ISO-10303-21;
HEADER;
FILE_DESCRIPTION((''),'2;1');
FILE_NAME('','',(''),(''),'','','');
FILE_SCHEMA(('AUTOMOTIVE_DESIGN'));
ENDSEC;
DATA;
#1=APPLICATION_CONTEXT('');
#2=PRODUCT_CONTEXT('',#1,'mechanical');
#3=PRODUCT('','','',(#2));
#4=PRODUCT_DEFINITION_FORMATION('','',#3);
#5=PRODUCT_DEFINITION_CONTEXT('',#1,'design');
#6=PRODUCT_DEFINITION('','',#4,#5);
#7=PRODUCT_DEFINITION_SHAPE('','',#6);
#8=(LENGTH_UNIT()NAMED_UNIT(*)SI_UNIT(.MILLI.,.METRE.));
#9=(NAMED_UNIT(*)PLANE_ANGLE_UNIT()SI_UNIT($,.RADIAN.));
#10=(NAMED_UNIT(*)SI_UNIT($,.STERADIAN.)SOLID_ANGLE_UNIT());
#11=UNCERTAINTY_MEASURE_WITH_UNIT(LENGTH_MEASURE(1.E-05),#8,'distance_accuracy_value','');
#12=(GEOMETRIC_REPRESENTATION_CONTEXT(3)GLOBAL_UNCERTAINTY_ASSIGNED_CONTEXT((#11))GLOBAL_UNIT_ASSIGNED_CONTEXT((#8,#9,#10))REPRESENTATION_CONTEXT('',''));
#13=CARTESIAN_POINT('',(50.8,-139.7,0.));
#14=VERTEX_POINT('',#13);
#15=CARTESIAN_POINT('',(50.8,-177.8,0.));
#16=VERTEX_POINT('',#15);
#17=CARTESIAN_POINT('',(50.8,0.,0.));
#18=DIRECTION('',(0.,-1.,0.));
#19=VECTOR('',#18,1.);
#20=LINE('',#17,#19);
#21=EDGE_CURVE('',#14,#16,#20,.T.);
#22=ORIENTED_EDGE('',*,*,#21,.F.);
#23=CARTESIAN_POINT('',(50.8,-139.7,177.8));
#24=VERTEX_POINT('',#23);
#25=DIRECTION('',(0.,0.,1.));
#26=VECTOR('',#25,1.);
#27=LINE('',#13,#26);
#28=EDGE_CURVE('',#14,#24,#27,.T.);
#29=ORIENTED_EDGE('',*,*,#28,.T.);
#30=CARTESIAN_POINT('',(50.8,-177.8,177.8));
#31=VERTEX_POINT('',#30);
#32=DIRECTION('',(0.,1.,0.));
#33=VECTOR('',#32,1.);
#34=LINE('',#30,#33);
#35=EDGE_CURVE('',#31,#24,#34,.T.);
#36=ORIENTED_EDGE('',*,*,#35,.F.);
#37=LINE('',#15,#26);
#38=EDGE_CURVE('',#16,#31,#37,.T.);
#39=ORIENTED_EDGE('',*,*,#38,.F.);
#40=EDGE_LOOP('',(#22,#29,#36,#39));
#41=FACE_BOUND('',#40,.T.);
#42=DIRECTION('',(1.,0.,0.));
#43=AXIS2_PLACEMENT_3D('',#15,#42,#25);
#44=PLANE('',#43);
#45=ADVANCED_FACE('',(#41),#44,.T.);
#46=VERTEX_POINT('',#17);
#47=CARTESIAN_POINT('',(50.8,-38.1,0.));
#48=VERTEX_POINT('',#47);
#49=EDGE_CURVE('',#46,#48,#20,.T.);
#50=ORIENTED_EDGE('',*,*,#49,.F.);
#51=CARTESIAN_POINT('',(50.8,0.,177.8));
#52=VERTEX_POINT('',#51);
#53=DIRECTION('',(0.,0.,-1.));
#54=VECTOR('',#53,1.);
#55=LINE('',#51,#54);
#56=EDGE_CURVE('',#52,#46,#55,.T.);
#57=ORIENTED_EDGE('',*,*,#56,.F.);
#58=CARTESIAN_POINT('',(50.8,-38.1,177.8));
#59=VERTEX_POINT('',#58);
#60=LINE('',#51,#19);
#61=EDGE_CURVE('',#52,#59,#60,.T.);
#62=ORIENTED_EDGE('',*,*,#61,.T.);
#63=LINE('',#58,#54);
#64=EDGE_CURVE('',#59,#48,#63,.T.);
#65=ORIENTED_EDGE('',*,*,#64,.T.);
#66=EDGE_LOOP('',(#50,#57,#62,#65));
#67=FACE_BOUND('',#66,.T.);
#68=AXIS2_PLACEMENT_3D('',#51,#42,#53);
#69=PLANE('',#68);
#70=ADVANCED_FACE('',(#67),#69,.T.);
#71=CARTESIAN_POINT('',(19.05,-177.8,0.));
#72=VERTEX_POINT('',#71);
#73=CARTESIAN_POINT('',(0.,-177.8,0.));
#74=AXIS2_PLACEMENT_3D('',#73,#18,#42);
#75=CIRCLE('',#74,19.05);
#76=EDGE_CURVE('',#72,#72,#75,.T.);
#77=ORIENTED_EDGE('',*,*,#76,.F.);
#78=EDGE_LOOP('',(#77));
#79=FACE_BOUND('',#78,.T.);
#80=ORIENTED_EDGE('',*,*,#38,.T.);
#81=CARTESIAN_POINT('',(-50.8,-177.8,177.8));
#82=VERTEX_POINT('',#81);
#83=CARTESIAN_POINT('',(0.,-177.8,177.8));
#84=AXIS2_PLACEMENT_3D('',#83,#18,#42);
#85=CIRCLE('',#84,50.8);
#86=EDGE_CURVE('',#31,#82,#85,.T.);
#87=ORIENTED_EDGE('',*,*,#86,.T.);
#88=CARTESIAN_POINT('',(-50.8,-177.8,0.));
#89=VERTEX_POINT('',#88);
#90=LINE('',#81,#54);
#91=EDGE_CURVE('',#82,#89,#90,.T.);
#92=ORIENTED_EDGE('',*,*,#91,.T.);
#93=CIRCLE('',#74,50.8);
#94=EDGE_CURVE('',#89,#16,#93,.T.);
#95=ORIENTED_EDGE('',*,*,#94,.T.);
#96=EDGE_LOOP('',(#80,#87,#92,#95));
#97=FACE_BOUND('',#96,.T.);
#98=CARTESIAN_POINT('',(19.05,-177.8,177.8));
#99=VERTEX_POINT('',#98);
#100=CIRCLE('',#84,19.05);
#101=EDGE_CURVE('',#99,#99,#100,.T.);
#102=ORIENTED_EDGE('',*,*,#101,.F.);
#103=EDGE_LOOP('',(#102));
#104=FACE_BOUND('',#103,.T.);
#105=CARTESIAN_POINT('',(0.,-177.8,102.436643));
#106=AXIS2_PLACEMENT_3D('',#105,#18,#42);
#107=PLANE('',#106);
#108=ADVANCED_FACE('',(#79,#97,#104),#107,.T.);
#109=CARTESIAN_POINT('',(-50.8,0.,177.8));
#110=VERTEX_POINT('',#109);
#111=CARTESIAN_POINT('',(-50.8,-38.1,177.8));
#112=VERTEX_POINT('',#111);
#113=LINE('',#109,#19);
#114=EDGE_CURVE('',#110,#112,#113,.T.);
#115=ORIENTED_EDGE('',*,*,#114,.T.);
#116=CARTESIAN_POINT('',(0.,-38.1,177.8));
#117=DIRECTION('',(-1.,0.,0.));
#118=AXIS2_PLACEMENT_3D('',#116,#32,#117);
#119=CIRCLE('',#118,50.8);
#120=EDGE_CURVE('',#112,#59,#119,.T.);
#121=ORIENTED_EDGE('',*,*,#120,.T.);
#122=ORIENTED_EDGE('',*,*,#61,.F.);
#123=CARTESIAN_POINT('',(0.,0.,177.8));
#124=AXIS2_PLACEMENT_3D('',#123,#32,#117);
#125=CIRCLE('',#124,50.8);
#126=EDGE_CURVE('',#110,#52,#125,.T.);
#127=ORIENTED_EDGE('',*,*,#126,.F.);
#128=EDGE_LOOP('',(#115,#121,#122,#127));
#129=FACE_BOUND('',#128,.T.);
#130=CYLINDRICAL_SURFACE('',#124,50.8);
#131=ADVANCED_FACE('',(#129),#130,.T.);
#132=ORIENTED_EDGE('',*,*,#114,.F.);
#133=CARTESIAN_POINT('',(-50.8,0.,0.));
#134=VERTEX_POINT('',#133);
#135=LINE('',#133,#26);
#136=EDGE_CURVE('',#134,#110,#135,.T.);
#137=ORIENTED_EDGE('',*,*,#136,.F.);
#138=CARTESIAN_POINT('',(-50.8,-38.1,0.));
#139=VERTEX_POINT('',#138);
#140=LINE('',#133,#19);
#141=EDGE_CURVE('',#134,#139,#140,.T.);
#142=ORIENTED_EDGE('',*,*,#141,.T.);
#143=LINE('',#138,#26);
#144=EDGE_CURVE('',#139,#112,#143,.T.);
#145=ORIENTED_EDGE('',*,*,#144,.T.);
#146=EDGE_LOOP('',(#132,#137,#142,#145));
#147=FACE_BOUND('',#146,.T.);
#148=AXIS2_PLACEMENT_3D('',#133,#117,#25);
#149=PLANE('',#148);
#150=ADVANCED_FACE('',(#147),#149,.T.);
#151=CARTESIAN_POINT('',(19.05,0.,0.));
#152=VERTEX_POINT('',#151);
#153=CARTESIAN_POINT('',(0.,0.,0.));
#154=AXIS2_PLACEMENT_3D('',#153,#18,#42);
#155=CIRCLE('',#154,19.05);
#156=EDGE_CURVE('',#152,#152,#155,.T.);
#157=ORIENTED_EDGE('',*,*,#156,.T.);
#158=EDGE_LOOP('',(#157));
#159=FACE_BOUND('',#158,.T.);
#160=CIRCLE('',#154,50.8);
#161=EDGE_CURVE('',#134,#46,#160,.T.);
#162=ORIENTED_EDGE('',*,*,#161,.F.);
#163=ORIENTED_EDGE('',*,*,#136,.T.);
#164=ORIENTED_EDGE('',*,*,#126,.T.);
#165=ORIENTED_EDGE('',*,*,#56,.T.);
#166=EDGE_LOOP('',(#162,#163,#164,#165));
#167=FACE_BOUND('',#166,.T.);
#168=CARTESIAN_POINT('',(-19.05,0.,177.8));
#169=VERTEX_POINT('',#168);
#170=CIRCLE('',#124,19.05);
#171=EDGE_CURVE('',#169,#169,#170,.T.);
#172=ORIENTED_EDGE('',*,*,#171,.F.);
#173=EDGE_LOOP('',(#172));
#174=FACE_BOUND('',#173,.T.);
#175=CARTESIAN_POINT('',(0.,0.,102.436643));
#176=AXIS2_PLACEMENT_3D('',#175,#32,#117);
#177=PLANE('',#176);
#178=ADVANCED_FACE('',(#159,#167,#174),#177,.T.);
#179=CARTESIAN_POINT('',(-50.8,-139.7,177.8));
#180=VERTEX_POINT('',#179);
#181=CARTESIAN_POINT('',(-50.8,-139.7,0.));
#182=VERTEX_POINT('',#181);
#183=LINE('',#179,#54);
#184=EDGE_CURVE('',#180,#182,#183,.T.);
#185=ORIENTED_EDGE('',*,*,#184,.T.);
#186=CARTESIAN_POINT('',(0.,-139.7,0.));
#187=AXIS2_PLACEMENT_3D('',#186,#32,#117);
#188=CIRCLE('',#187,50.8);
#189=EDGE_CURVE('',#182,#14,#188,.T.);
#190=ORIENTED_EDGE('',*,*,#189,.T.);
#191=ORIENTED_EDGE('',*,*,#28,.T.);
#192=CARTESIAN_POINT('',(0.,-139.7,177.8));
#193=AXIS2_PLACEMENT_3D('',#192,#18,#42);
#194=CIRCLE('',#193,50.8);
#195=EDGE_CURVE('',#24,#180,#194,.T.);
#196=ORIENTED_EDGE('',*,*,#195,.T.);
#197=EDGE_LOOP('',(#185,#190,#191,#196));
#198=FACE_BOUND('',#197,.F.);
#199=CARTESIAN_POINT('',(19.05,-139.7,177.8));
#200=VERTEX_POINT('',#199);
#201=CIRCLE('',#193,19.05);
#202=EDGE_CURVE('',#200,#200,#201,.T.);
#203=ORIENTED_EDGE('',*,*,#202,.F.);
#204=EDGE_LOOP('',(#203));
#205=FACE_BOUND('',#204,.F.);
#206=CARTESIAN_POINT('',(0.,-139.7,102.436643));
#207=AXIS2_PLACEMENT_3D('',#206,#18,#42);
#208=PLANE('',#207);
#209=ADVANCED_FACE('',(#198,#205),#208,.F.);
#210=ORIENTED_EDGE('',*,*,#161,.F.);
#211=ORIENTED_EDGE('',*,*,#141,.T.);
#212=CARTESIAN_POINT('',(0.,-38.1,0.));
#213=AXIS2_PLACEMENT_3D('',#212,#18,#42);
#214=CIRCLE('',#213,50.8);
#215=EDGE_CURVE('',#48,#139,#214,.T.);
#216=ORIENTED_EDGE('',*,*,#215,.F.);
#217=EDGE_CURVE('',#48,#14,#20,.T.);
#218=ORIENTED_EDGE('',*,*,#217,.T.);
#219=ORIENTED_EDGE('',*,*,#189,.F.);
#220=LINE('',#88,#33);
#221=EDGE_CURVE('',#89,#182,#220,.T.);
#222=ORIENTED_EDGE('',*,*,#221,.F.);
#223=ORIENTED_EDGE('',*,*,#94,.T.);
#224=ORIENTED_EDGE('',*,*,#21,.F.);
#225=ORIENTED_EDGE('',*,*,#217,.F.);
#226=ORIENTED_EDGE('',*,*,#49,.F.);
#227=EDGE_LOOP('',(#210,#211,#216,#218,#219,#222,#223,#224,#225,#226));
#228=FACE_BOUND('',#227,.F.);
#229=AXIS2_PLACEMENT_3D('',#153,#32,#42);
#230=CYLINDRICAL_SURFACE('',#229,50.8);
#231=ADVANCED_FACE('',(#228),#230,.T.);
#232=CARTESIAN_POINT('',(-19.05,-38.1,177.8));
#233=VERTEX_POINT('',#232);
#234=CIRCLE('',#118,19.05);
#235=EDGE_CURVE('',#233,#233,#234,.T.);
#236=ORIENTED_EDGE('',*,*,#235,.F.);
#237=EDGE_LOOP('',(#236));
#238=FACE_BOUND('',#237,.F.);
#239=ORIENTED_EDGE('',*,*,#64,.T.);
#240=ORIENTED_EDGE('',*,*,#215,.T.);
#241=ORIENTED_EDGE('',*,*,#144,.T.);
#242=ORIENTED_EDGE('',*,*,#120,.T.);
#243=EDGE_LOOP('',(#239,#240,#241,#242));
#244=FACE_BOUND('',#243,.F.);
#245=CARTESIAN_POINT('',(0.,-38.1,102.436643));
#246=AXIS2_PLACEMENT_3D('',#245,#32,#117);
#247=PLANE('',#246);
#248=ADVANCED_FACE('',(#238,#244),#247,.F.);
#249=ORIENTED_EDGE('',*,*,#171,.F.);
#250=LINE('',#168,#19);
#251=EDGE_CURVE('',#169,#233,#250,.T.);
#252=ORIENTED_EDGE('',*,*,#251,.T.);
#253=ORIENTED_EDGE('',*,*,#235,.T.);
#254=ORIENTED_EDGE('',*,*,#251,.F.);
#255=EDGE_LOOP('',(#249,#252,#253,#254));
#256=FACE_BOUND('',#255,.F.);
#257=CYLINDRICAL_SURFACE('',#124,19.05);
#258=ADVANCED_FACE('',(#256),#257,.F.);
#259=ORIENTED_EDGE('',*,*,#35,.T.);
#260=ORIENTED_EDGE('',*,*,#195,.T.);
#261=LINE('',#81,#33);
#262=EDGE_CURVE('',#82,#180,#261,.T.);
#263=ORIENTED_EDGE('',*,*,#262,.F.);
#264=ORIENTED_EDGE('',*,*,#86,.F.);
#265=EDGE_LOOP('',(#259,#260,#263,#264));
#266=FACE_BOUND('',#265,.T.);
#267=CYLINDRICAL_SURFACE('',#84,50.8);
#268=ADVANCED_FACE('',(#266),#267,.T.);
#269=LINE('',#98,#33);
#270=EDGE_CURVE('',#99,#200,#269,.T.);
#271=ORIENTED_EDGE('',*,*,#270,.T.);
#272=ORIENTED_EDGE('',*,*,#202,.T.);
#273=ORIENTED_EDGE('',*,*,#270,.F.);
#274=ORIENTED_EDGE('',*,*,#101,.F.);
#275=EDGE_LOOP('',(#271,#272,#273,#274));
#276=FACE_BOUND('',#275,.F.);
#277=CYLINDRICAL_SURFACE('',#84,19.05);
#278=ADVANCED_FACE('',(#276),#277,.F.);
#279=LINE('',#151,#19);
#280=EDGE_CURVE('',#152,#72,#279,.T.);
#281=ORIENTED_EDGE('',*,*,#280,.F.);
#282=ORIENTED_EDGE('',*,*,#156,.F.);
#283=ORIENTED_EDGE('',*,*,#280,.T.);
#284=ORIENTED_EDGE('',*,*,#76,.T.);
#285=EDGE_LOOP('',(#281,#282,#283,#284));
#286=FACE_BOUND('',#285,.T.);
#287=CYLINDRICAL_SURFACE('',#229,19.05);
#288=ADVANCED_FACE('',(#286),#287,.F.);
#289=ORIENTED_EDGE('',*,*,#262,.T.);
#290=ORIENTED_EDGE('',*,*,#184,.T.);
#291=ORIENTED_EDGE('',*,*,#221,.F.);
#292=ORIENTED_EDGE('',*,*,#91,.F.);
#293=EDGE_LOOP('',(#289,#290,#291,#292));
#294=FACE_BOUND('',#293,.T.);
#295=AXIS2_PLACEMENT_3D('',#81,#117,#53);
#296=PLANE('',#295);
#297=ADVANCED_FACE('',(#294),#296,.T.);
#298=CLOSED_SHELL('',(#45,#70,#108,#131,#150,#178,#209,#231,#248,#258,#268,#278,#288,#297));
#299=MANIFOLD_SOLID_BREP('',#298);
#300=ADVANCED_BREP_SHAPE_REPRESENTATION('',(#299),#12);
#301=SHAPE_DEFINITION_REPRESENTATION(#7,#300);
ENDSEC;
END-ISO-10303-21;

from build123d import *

# Parameters (mm, degrees)
F0_R     = 50.8
F0_R_2   = 19.05
F1_DEPTH = 177.8
F3_DEPTH = 38.1
F5_DEPTH = 38.1
F6_R     = 19.05
F7_DEPTH = 66.802
F8_R     = 19.05
F9_DEPTH = 106.68


with BuildPart() as f1:
    # F0 (on Front) → F1 (new body)
    with BuildSketch(Plane.XZ):
        Circle(F0_R)
        Circle(F0_R_2, mode=Mode.SUBTRACT)
    extrude(amount=F1_DEPTH)

    # F2 (on face) → F3 (join)
    with BuildSketch(Plane.XZ.offset(177.8)):
        with BuildLine():
            Line((-50.8, 177.8), (-50.8, 0))
            ThreePointArc((-50.8, 0), (0, 50.8), (50.8, 0))
            Line((50.8, 0), (50.8, 177.8))
            ThreePointArc((50.8, 177.8), (0, 228.6), (-50.8, 177.8))
        make_face()
    extrude(amount=-F3_DEPTH)

    # F4 (on face) → F5 (join)
    with BuildSketch(Plane(origin=(0, 0, 0), x_dir=(-1, 0, 0), z_dir=(0, 1, 0))):
        with BuildLine():
            Line((-50.8, 177.8), (-50.8, 0))
            ThreePointArc((-50.8, 0), (0, 50.8), (50.8, 0))
            Line((50.8, 0), (50.8, 177.8))
            ThreePointArc((50.8, 177.8), (0, 228.6), (-50.8, 177.8))
        make_face()
    extrude(amount=-F5_DEPTH)

    # F6 (on face) → F7 (cut)
    with BuildSketch(Plane.XZ.offset(177.8)):
        with Locations((0, 177.8)):
            Circle(F6_R)
    extrude(amount=-F7_DEPTH, mode=Mode.SUBTRACT)

    # F8 (on face) → F9 (cut)
    with BuildSketch(Plane(origin=(0, 0, 0), x_dir=(-1, 0, 0), z_dir=(0, 1, 0))):
        with Locations((0, 177.8)):
            Circle(F8_R)
    extrude(amount=-F9_DEPTH, mode=Mode.SUBTRACT)


solid = f1.part
